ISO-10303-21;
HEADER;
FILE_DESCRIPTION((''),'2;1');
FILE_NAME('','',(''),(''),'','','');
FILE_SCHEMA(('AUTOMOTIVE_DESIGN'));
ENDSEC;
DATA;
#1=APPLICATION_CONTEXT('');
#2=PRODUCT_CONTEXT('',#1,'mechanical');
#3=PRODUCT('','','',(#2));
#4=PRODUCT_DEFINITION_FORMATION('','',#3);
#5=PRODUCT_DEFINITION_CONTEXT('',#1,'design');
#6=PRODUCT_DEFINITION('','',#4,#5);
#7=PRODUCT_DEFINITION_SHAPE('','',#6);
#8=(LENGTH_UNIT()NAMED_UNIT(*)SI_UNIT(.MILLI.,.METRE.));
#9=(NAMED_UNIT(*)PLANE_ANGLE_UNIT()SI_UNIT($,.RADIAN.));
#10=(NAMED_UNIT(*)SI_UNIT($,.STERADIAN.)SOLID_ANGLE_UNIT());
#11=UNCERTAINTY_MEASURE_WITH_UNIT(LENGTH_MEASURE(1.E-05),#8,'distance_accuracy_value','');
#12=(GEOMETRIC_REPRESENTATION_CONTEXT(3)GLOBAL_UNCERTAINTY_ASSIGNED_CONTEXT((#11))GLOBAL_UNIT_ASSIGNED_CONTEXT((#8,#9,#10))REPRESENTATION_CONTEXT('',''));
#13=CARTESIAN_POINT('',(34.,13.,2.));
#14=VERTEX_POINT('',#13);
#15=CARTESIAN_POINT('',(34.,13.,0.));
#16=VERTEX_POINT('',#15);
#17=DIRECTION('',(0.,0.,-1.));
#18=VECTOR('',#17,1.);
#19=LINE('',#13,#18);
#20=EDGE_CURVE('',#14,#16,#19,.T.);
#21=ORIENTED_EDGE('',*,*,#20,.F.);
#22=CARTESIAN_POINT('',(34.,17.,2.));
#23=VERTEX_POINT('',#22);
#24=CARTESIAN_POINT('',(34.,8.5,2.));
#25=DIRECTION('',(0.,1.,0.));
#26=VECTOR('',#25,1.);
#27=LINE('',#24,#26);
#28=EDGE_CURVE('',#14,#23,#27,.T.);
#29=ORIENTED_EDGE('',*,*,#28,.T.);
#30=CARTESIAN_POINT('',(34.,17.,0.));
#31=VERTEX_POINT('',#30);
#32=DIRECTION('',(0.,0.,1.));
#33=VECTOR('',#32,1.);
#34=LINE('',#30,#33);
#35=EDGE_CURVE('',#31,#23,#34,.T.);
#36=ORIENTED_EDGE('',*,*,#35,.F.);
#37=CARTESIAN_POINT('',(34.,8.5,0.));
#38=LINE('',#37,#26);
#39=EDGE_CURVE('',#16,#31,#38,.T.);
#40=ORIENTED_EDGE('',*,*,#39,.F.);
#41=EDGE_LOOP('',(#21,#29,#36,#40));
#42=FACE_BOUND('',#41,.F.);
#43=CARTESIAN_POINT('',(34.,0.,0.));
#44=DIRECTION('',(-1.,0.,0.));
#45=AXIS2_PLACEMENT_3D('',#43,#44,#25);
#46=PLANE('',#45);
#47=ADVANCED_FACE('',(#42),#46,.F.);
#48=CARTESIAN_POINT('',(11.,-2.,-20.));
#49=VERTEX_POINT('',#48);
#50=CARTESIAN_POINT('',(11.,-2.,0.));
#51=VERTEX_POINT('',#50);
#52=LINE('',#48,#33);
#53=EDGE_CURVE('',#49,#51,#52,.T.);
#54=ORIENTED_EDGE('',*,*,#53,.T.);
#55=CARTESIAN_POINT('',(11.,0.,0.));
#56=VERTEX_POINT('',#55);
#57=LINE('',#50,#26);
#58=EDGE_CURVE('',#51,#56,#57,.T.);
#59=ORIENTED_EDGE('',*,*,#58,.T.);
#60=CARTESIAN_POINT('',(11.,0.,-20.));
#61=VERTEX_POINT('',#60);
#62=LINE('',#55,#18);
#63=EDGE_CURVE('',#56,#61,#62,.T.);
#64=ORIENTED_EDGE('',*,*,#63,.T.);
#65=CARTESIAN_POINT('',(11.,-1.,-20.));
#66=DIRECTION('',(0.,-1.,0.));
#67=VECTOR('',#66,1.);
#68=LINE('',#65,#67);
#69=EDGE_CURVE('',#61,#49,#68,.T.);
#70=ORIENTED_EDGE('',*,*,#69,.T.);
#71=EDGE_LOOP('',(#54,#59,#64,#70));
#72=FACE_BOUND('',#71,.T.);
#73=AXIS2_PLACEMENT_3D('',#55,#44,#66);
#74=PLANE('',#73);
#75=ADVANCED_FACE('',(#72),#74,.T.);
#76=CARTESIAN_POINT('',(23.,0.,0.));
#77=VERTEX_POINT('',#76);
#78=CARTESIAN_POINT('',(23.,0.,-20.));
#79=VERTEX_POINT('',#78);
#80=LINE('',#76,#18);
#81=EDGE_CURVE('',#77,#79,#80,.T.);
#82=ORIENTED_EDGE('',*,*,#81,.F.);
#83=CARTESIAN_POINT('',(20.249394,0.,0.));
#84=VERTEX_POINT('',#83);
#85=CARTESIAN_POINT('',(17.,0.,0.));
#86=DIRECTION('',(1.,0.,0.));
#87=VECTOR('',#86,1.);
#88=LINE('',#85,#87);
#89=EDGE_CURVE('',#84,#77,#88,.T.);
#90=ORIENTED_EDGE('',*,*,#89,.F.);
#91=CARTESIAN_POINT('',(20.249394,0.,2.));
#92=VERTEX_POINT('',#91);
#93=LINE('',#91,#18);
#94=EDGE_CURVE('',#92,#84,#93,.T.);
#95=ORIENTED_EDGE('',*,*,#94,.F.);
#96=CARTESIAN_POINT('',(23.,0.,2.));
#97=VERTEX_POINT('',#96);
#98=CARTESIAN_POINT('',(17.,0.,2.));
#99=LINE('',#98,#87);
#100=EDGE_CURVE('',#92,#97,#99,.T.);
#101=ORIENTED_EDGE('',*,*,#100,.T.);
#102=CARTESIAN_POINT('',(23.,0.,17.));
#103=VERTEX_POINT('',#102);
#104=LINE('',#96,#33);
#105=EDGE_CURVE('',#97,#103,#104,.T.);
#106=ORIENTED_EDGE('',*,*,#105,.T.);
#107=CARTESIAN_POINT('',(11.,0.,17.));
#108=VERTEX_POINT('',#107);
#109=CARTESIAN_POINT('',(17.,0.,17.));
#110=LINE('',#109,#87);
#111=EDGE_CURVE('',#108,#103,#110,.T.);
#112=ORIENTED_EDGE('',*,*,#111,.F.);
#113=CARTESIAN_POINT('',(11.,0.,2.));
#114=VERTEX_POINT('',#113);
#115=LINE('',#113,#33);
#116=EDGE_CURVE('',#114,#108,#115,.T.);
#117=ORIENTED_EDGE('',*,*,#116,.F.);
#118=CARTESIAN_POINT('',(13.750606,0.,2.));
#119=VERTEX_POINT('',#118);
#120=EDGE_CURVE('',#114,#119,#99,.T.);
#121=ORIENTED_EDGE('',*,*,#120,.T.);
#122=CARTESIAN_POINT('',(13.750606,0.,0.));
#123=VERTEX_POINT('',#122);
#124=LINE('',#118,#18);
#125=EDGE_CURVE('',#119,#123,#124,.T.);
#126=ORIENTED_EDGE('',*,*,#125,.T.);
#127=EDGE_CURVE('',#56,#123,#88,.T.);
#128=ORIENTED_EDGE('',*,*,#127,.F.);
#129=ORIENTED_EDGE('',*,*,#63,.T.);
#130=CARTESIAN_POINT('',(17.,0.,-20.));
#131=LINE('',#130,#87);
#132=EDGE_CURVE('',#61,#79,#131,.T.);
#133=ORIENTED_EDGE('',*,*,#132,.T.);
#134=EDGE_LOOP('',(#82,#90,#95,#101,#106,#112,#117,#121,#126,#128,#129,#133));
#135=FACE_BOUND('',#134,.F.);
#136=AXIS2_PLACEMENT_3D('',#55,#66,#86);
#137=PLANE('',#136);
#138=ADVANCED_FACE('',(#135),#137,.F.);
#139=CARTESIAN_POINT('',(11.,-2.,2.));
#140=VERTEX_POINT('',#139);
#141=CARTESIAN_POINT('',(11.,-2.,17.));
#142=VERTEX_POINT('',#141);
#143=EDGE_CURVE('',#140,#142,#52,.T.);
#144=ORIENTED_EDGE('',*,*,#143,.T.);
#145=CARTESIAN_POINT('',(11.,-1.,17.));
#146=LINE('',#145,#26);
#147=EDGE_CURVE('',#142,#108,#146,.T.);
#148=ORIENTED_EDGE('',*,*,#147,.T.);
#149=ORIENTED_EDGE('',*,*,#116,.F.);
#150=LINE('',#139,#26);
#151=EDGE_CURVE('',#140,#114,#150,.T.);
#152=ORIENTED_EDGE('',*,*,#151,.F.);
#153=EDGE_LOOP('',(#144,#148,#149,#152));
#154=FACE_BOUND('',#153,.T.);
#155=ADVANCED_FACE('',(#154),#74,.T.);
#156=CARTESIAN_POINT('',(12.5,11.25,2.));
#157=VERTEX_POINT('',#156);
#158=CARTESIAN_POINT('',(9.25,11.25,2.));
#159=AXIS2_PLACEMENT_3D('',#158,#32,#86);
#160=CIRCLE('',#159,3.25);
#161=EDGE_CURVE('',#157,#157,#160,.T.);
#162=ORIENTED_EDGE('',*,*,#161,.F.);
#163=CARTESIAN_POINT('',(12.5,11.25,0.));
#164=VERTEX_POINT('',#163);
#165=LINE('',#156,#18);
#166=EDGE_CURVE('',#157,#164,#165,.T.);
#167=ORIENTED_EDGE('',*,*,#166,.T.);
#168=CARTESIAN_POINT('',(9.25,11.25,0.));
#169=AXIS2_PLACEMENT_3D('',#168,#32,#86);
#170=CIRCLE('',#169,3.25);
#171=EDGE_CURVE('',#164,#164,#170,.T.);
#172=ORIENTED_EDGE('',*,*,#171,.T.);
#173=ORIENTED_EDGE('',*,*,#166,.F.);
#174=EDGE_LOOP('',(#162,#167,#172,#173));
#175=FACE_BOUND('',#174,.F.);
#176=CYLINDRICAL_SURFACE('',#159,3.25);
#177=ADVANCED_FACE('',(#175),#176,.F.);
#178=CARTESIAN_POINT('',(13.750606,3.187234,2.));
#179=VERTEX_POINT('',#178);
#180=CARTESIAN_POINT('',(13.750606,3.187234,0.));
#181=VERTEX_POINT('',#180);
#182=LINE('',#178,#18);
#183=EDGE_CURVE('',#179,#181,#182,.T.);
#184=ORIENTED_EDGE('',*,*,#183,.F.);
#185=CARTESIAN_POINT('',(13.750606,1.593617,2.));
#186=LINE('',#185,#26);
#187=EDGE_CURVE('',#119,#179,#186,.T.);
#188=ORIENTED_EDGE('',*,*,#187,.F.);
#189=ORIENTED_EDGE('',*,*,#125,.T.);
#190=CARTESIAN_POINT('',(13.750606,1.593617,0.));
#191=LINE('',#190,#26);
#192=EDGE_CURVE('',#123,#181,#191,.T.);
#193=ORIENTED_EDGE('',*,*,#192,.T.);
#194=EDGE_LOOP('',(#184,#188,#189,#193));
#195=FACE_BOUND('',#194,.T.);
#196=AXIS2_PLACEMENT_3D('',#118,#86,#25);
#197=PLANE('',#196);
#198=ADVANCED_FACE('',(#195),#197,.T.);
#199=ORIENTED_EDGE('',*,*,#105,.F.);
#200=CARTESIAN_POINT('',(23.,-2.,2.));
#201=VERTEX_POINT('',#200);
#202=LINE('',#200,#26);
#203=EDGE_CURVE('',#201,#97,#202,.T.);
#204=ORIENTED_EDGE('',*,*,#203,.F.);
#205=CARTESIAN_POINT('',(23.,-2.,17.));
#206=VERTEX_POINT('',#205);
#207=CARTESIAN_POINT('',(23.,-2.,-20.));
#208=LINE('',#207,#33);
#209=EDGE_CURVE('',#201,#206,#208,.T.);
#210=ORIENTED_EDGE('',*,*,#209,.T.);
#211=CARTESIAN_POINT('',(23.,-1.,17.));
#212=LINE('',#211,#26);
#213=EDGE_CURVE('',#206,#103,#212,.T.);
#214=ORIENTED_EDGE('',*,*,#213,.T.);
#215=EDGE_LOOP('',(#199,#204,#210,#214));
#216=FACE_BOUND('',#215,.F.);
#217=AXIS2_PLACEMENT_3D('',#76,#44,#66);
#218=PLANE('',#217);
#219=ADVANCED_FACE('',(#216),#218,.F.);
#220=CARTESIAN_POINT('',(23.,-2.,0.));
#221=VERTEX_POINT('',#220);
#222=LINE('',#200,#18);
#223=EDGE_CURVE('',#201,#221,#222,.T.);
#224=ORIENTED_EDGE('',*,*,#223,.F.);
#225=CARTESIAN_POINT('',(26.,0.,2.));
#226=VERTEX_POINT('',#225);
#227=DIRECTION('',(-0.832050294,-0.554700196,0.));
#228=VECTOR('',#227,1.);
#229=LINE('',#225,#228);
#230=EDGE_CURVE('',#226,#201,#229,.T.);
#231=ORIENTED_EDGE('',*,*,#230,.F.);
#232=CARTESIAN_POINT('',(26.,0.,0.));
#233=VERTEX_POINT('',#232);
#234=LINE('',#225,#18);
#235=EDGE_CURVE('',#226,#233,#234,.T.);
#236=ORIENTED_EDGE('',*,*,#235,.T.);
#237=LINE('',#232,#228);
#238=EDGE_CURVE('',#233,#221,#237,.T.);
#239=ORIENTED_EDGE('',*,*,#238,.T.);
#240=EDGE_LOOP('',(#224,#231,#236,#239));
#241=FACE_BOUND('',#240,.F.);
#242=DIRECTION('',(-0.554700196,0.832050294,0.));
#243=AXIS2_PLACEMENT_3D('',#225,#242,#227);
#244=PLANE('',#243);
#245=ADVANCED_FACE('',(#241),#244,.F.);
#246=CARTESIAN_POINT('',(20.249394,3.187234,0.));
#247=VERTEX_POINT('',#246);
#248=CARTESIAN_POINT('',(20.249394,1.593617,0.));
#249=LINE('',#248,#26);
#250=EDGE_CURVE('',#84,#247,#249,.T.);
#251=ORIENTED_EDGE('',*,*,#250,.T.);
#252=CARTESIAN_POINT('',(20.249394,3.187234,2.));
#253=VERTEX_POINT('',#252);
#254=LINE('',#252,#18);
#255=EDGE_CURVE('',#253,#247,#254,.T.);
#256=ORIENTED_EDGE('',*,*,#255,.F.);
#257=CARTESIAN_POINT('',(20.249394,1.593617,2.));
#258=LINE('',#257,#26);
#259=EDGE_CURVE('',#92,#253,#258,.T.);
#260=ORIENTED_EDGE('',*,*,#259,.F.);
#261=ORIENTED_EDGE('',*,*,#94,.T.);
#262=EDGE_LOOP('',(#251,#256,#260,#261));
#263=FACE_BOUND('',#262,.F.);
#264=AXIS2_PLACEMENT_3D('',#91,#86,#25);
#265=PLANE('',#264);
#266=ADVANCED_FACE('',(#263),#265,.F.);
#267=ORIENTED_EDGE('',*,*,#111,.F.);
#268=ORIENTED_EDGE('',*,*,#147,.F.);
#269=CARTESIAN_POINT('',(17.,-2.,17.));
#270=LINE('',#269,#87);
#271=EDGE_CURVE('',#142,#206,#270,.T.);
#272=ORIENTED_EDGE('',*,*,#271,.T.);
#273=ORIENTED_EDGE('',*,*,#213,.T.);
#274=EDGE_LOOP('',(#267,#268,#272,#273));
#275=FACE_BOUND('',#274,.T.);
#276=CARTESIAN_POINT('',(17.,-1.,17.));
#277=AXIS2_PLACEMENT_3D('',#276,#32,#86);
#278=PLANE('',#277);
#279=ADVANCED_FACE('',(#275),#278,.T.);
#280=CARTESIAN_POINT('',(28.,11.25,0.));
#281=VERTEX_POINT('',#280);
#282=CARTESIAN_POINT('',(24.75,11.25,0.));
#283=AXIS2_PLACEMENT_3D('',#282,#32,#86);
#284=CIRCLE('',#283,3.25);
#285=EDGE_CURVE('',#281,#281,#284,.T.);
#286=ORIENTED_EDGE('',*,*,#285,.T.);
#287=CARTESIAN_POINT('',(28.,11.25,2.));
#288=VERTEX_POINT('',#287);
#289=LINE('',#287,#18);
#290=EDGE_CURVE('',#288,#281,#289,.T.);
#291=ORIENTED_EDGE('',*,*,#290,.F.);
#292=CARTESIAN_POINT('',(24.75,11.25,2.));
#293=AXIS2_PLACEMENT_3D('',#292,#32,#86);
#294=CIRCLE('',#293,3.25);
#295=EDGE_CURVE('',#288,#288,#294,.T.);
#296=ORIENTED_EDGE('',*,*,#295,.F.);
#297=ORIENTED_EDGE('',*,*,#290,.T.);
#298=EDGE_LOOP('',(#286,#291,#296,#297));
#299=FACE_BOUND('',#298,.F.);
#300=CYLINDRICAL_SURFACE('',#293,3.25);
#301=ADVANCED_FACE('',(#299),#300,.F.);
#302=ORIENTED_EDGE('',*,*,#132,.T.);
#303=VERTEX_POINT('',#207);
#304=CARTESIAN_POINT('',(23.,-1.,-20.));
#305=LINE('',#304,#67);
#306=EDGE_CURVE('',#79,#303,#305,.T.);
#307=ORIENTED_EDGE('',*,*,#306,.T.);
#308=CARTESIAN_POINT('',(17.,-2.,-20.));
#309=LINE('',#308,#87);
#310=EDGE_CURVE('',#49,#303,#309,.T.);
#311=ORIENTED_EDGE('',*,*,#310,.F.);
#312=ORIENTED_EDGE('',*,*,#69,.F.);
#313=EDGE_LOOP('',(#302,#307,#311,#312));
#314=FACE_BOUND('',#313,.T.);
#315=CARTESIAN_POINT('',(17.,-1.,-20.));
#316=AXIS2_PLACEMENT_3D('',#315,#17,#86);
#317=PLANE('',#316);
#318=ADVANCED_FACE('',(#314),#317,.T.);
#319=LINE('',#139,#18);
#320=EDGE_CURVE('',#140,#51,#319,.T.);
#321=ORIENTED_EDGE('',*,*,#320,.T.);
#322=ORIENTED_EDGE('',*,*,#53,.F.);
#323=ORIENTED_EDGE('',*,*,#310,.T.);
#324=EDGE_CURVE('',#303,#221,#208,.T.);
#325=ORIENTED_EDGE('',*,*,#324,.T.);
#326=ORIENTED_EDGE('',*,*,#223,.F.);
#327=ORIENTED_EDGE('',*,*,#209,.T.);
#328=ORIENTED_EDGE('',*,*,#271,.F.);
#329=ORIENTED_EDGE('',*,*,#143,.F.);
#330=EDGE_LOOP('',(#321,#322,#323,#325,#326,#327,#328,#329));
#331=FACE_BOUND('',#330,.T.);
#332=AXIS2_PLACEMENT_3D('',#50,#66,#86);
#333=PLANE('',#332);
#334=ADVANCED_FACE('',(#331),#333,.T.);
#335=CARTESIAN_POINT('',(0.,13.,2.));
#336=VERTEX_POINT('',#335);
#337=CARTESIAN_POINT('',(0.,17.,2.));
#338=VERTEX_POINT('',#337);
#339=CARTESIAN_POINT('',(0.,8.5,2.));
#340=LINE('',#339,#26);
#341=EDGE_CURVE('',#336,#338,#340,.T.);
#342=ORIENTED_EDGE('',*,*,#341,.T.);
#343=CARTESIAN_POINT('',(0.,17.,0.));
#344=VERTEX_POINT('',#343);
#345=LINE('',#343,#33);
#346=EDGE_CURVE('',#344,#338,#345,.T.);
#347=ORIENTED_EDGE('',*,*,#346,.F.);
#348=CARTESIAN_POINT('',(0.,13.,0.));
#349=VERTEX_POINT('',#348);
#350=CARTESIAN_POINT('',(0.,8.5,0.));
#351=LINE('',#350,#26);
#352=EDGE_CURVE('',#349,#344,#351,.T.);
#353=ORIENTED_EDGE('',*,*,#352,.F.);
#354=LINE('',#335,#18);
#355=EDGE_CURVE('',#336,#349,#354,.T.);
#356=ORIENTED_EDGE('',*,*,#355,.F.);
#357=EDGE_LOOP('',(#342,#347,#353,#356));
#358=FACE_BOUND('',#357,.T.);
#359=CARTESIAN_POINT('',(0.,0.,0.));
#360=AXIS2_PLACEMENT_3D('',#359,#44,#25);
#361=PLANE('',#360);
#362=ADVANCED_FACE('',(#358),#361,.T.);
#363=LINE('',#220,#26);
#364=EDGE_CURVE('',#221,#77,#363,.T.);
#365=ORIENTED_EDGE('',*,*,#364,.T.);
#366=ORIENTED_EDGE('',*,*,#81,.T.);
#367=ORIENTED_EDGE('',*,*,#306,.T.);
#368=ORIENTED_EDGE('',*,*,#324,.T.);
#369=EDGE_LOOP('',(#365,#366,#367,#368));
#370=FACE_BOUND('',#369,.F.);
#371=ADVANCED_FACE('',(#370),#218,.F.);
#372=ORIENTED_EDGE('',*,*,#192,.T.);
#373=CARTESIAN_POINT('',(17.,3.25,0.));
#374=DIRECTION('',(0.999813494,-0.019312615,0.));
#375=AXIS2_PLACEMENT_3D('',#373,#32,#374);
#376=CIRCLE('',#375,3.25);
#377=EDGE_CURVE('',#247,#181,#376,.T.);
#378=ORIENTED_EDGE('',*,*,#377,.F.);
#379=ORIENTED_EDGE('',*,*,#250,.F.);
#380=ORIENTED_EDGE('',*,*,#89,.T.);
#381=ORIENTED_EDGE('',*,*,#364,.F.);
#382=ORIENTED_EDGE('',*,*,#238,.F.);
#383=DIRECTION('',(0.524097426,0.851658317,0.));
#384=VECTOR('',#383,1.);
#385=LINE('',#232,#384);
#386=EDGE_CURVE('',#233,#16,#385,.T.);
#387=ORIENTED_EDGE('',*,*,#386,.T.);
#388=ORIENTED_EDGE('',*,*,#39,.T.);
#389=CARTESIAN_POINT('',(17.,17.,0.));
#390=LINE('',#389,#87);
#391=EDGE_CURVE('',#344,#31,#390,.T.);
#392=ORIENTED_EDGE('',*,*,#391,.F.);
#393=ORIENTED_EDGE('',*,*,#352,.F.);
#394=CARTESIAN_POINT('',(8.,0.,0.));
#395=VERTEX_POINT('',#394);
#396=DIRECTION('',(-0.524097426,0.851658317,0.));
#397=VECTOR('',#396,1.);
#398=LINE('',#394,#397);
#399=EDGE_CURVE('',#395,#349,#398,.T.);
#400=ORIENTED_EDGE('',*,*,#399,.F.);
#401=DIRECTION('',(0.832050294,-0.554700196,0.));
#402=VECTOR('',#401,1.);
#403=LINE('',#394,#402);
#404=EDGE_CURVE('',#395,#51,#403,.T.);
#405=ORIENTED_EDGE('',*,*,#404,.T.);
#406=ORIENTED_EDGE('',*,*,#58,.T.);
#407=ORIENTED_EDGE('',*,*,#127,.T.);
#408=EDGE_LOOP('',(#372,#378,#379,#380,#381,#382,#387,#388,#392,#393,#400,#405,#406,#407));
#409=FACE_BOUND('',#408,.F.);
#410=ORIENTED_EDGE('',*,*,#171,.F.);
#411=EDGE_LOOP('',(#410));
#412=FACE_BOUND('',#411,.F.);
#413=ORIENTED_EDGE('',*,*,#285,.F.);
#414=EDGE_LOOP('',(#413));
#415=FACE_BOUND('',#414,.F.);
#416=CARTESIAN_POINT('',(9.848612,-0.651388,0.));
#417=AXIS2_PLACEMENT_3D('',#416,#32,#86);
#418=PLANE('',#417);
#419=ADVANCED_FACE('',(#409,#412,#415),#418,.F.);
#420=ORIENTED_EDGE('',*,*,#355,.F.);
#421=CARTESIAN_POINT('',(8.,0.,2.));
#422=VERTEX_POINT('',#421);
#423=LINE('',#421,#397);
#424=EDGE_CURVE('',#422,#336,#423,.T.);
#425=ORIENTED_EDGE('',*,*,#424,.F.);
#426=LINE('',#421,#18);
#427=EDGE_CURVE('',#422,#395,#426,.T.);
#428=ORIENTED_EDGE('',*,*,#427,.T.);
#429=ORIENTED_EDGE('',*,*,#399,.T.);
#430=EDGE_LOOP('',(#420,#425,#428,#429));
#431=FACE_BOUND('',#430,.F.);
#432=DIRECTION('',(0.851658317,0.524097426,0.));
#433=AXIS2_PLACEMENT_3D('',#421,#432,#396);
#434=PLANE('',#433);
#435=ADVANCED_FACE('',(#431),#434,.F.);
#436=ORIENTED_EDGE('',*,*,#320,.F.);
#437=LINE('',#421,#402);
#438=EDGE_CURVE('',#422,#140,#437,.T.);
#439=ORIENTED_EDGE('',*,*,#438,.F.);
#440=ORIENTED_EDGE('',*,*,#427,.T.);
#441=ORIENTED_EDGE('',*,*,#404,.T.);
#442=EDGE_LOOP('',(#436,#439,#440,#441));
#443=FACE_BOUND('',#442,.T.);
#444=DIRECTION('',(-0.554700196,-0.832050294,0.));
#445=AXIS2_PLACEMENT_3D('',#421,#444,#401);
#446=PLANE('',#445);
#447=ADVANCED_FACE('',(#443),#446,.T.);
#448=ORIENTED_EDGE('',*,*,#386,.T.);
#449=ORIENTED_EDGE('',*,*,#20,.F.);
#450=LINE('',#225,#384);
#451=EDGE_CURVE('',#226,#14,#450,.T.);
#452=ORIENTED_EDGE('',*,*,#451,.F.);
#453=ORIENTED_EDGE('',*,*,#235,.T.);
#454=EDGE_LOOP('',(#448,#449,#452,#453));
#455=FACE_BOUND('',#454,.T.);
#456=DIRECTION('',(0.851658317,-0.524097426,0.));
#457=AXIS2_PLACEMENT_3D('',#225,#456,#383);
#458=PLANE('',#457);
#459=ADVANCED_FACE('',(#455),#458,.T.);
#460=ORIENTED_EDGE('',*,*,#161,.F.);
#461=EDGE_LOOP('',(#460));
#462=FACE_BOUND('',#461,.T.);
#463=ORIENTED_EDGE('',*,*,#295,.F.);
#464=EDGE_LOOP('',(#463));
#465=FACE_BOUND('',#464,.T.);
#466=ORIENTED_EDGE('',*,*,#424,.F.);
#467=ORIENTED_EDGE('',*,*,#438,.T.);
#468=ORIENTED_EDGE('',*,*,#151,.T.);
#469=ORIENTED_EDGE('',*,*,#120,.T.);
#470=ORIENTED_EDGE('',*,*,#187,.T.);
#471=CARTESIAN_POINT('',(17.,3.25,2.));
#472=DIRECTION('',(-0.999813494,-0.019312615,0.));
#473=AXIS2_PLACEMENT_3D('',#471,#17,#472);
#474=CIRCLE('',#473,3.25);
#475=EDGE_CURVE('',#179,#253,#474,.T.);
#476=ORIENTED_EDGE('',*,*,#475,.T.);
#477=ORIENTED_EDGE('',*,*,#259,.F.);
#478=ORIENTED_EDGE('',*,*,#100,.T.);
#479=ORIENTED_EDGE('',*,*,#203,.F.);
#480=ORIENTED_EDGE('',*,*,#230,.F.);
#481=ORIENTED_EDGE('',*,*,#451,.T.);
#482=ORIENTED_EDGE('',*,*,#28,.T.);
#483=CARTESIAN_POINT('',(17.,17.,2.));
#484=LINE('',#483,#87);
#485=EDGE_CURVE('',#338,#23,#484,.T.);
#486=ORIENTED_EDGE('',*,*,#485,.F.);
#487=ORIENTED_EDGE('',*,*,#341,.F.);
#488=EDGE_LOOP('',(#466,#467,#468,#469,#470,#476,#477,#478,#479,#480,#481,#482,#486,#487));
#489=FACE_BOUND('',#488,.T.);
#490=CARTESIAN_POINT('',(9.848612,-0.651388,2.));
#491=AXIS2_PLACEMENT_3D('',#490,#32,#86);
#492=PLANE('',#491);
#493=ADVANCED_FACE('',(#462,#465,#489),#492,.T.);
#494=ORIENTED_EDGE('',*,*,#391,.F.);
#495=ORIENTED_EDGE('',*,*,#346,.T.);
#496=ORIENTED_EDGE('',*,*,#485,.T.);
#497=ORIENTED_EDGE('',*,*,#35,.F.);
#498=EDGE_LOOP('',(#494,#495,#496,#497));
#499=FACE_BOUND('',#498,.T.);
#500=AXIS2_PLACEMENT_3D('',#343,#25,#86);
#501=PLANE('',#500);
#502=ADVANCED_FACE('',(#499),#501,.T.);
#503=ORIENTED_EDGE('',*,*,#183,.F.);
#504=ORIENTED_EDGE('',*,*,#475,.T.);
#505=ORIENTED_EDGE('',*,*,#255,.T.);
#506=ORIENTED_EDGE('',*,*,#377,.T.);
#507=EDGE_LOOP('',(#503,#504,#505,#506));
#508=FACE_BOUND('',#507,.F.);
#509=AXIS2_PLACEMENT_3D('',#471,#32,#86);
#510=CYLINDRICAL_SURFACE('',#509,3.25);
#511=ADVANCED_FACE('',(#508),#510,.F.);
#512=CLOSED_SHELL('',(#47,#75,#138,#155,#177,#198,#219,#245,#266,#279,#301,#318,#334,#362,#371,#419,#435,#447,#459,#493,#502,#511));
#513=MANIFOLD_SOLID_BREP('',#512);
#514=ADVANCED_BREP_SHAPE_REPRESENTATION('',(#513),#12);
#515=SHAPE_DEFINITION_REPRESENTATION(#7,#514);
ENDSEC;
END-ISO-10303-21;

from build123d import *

# Parameters (mm, degrees)
BOX_W           = 34
BOX_H           = 17
BOX_DEPTH       = 2
SKETCH_R        = 3.25
POCKET_DEPTH    = 2
SKETCH001_W     = 6.498788
SKETCH001_H     = 3.187234
POCKET001_DEPTH = 2
POCKET002_DEPTH = 2
SKETCH003_W     = 12
SKETCH003_H     = 2
PAD_DEPTH       = 2
SKETCH004_W     = 12
SKETCH004_H     = 2
PAD001_DEPTH    = 15
SKETCH005_W     = 12
SKETCH005_H     = 2
PAD002_DEPTH    = 20
PAD003_DEPTH    = 2


with BuildPart() as part:
    # Box → Box (new body)
    with BuildSketch(Plane.XY):
        with Locations((17, 8.5)):
            Rectangle(BOX_W, BOX_H)
    extrude(amount=BOX_DEPTH)

    # Sketch → Pocket (cut)
    with BuildSketch(Plane.XY.offset(2)):
        with Locations((9.25, 11.25)):
            Circle(SKETCH_R)
        with Locations((24.75, 11.25)):
            Circle(SKETCH_R)
        with Locations((17, 3.25)):
            Circle(SKETCH_R)
    extrude(amount=-POCKET_DEPTH, mode=Mode.SUBTRACT)

    # Sketch001 → Pocket001 (cut)
    with BuildSketch(Plane.XY.offset(2)):
        with Locations((17, 1.593617)):
            Rectangle(SKETCH001_W, SKETCH001_H)
    extrude(amount=-POCKET001_DEPTH, mode=Mode.SUBTRACT)

    # Sketch002 → Pocket002 (cut)
    with BuildSketch(Plane.XY.offset(2)):
        Polygon((0, 0), (8, 0), (0, 13), align=None)
        Polygon((34, 0), (26, 0), (34, 13), align=None)
    extrude(amount=-POCKET002_DEPTH, mode=Mode.SUBTRACT)

    # Sketch003 → Pad (new body)
    with BuildSketch(Plane.XZ):
        with Locations((17, 1)):
            Rectangle(SKETCH003_W, SKETCH003_H)
    extrude(amount=PAD_DEPTH)

    # Sketch004 → Pad001 (new body)
    with BuildSketch(Plane.XY.offset(2)):
        with Locations((17, -1)):
            Rectangle(SKETCH004_W, SKETCH004_H)
    extrude(amount=PAD001_DEPTH)

    # Sketch005 → Pad002 (new body)
    with BuildSketch(Plane(origin=(0, 0, 0), x_dir=(1, 0, 0), z_dir=(0, 0, -1))):
        with Locations((17, 1)):
            Rectangle(SKETCH005_W, SKETCH005_H)
    extrude(amount=PAD002_DEPTH)

    # Sketch006 → Pad003 (new body)
    with BuildSketch(Plane.XY.offset(2)):
        Polygon((11, 0), (8, 0), (11, -2), align=None)
        Polygon((23, 0), (26, 0), (23, -2), align=None)
    extrude(amount=-PAD003_DEPTH)


solid = part.part
